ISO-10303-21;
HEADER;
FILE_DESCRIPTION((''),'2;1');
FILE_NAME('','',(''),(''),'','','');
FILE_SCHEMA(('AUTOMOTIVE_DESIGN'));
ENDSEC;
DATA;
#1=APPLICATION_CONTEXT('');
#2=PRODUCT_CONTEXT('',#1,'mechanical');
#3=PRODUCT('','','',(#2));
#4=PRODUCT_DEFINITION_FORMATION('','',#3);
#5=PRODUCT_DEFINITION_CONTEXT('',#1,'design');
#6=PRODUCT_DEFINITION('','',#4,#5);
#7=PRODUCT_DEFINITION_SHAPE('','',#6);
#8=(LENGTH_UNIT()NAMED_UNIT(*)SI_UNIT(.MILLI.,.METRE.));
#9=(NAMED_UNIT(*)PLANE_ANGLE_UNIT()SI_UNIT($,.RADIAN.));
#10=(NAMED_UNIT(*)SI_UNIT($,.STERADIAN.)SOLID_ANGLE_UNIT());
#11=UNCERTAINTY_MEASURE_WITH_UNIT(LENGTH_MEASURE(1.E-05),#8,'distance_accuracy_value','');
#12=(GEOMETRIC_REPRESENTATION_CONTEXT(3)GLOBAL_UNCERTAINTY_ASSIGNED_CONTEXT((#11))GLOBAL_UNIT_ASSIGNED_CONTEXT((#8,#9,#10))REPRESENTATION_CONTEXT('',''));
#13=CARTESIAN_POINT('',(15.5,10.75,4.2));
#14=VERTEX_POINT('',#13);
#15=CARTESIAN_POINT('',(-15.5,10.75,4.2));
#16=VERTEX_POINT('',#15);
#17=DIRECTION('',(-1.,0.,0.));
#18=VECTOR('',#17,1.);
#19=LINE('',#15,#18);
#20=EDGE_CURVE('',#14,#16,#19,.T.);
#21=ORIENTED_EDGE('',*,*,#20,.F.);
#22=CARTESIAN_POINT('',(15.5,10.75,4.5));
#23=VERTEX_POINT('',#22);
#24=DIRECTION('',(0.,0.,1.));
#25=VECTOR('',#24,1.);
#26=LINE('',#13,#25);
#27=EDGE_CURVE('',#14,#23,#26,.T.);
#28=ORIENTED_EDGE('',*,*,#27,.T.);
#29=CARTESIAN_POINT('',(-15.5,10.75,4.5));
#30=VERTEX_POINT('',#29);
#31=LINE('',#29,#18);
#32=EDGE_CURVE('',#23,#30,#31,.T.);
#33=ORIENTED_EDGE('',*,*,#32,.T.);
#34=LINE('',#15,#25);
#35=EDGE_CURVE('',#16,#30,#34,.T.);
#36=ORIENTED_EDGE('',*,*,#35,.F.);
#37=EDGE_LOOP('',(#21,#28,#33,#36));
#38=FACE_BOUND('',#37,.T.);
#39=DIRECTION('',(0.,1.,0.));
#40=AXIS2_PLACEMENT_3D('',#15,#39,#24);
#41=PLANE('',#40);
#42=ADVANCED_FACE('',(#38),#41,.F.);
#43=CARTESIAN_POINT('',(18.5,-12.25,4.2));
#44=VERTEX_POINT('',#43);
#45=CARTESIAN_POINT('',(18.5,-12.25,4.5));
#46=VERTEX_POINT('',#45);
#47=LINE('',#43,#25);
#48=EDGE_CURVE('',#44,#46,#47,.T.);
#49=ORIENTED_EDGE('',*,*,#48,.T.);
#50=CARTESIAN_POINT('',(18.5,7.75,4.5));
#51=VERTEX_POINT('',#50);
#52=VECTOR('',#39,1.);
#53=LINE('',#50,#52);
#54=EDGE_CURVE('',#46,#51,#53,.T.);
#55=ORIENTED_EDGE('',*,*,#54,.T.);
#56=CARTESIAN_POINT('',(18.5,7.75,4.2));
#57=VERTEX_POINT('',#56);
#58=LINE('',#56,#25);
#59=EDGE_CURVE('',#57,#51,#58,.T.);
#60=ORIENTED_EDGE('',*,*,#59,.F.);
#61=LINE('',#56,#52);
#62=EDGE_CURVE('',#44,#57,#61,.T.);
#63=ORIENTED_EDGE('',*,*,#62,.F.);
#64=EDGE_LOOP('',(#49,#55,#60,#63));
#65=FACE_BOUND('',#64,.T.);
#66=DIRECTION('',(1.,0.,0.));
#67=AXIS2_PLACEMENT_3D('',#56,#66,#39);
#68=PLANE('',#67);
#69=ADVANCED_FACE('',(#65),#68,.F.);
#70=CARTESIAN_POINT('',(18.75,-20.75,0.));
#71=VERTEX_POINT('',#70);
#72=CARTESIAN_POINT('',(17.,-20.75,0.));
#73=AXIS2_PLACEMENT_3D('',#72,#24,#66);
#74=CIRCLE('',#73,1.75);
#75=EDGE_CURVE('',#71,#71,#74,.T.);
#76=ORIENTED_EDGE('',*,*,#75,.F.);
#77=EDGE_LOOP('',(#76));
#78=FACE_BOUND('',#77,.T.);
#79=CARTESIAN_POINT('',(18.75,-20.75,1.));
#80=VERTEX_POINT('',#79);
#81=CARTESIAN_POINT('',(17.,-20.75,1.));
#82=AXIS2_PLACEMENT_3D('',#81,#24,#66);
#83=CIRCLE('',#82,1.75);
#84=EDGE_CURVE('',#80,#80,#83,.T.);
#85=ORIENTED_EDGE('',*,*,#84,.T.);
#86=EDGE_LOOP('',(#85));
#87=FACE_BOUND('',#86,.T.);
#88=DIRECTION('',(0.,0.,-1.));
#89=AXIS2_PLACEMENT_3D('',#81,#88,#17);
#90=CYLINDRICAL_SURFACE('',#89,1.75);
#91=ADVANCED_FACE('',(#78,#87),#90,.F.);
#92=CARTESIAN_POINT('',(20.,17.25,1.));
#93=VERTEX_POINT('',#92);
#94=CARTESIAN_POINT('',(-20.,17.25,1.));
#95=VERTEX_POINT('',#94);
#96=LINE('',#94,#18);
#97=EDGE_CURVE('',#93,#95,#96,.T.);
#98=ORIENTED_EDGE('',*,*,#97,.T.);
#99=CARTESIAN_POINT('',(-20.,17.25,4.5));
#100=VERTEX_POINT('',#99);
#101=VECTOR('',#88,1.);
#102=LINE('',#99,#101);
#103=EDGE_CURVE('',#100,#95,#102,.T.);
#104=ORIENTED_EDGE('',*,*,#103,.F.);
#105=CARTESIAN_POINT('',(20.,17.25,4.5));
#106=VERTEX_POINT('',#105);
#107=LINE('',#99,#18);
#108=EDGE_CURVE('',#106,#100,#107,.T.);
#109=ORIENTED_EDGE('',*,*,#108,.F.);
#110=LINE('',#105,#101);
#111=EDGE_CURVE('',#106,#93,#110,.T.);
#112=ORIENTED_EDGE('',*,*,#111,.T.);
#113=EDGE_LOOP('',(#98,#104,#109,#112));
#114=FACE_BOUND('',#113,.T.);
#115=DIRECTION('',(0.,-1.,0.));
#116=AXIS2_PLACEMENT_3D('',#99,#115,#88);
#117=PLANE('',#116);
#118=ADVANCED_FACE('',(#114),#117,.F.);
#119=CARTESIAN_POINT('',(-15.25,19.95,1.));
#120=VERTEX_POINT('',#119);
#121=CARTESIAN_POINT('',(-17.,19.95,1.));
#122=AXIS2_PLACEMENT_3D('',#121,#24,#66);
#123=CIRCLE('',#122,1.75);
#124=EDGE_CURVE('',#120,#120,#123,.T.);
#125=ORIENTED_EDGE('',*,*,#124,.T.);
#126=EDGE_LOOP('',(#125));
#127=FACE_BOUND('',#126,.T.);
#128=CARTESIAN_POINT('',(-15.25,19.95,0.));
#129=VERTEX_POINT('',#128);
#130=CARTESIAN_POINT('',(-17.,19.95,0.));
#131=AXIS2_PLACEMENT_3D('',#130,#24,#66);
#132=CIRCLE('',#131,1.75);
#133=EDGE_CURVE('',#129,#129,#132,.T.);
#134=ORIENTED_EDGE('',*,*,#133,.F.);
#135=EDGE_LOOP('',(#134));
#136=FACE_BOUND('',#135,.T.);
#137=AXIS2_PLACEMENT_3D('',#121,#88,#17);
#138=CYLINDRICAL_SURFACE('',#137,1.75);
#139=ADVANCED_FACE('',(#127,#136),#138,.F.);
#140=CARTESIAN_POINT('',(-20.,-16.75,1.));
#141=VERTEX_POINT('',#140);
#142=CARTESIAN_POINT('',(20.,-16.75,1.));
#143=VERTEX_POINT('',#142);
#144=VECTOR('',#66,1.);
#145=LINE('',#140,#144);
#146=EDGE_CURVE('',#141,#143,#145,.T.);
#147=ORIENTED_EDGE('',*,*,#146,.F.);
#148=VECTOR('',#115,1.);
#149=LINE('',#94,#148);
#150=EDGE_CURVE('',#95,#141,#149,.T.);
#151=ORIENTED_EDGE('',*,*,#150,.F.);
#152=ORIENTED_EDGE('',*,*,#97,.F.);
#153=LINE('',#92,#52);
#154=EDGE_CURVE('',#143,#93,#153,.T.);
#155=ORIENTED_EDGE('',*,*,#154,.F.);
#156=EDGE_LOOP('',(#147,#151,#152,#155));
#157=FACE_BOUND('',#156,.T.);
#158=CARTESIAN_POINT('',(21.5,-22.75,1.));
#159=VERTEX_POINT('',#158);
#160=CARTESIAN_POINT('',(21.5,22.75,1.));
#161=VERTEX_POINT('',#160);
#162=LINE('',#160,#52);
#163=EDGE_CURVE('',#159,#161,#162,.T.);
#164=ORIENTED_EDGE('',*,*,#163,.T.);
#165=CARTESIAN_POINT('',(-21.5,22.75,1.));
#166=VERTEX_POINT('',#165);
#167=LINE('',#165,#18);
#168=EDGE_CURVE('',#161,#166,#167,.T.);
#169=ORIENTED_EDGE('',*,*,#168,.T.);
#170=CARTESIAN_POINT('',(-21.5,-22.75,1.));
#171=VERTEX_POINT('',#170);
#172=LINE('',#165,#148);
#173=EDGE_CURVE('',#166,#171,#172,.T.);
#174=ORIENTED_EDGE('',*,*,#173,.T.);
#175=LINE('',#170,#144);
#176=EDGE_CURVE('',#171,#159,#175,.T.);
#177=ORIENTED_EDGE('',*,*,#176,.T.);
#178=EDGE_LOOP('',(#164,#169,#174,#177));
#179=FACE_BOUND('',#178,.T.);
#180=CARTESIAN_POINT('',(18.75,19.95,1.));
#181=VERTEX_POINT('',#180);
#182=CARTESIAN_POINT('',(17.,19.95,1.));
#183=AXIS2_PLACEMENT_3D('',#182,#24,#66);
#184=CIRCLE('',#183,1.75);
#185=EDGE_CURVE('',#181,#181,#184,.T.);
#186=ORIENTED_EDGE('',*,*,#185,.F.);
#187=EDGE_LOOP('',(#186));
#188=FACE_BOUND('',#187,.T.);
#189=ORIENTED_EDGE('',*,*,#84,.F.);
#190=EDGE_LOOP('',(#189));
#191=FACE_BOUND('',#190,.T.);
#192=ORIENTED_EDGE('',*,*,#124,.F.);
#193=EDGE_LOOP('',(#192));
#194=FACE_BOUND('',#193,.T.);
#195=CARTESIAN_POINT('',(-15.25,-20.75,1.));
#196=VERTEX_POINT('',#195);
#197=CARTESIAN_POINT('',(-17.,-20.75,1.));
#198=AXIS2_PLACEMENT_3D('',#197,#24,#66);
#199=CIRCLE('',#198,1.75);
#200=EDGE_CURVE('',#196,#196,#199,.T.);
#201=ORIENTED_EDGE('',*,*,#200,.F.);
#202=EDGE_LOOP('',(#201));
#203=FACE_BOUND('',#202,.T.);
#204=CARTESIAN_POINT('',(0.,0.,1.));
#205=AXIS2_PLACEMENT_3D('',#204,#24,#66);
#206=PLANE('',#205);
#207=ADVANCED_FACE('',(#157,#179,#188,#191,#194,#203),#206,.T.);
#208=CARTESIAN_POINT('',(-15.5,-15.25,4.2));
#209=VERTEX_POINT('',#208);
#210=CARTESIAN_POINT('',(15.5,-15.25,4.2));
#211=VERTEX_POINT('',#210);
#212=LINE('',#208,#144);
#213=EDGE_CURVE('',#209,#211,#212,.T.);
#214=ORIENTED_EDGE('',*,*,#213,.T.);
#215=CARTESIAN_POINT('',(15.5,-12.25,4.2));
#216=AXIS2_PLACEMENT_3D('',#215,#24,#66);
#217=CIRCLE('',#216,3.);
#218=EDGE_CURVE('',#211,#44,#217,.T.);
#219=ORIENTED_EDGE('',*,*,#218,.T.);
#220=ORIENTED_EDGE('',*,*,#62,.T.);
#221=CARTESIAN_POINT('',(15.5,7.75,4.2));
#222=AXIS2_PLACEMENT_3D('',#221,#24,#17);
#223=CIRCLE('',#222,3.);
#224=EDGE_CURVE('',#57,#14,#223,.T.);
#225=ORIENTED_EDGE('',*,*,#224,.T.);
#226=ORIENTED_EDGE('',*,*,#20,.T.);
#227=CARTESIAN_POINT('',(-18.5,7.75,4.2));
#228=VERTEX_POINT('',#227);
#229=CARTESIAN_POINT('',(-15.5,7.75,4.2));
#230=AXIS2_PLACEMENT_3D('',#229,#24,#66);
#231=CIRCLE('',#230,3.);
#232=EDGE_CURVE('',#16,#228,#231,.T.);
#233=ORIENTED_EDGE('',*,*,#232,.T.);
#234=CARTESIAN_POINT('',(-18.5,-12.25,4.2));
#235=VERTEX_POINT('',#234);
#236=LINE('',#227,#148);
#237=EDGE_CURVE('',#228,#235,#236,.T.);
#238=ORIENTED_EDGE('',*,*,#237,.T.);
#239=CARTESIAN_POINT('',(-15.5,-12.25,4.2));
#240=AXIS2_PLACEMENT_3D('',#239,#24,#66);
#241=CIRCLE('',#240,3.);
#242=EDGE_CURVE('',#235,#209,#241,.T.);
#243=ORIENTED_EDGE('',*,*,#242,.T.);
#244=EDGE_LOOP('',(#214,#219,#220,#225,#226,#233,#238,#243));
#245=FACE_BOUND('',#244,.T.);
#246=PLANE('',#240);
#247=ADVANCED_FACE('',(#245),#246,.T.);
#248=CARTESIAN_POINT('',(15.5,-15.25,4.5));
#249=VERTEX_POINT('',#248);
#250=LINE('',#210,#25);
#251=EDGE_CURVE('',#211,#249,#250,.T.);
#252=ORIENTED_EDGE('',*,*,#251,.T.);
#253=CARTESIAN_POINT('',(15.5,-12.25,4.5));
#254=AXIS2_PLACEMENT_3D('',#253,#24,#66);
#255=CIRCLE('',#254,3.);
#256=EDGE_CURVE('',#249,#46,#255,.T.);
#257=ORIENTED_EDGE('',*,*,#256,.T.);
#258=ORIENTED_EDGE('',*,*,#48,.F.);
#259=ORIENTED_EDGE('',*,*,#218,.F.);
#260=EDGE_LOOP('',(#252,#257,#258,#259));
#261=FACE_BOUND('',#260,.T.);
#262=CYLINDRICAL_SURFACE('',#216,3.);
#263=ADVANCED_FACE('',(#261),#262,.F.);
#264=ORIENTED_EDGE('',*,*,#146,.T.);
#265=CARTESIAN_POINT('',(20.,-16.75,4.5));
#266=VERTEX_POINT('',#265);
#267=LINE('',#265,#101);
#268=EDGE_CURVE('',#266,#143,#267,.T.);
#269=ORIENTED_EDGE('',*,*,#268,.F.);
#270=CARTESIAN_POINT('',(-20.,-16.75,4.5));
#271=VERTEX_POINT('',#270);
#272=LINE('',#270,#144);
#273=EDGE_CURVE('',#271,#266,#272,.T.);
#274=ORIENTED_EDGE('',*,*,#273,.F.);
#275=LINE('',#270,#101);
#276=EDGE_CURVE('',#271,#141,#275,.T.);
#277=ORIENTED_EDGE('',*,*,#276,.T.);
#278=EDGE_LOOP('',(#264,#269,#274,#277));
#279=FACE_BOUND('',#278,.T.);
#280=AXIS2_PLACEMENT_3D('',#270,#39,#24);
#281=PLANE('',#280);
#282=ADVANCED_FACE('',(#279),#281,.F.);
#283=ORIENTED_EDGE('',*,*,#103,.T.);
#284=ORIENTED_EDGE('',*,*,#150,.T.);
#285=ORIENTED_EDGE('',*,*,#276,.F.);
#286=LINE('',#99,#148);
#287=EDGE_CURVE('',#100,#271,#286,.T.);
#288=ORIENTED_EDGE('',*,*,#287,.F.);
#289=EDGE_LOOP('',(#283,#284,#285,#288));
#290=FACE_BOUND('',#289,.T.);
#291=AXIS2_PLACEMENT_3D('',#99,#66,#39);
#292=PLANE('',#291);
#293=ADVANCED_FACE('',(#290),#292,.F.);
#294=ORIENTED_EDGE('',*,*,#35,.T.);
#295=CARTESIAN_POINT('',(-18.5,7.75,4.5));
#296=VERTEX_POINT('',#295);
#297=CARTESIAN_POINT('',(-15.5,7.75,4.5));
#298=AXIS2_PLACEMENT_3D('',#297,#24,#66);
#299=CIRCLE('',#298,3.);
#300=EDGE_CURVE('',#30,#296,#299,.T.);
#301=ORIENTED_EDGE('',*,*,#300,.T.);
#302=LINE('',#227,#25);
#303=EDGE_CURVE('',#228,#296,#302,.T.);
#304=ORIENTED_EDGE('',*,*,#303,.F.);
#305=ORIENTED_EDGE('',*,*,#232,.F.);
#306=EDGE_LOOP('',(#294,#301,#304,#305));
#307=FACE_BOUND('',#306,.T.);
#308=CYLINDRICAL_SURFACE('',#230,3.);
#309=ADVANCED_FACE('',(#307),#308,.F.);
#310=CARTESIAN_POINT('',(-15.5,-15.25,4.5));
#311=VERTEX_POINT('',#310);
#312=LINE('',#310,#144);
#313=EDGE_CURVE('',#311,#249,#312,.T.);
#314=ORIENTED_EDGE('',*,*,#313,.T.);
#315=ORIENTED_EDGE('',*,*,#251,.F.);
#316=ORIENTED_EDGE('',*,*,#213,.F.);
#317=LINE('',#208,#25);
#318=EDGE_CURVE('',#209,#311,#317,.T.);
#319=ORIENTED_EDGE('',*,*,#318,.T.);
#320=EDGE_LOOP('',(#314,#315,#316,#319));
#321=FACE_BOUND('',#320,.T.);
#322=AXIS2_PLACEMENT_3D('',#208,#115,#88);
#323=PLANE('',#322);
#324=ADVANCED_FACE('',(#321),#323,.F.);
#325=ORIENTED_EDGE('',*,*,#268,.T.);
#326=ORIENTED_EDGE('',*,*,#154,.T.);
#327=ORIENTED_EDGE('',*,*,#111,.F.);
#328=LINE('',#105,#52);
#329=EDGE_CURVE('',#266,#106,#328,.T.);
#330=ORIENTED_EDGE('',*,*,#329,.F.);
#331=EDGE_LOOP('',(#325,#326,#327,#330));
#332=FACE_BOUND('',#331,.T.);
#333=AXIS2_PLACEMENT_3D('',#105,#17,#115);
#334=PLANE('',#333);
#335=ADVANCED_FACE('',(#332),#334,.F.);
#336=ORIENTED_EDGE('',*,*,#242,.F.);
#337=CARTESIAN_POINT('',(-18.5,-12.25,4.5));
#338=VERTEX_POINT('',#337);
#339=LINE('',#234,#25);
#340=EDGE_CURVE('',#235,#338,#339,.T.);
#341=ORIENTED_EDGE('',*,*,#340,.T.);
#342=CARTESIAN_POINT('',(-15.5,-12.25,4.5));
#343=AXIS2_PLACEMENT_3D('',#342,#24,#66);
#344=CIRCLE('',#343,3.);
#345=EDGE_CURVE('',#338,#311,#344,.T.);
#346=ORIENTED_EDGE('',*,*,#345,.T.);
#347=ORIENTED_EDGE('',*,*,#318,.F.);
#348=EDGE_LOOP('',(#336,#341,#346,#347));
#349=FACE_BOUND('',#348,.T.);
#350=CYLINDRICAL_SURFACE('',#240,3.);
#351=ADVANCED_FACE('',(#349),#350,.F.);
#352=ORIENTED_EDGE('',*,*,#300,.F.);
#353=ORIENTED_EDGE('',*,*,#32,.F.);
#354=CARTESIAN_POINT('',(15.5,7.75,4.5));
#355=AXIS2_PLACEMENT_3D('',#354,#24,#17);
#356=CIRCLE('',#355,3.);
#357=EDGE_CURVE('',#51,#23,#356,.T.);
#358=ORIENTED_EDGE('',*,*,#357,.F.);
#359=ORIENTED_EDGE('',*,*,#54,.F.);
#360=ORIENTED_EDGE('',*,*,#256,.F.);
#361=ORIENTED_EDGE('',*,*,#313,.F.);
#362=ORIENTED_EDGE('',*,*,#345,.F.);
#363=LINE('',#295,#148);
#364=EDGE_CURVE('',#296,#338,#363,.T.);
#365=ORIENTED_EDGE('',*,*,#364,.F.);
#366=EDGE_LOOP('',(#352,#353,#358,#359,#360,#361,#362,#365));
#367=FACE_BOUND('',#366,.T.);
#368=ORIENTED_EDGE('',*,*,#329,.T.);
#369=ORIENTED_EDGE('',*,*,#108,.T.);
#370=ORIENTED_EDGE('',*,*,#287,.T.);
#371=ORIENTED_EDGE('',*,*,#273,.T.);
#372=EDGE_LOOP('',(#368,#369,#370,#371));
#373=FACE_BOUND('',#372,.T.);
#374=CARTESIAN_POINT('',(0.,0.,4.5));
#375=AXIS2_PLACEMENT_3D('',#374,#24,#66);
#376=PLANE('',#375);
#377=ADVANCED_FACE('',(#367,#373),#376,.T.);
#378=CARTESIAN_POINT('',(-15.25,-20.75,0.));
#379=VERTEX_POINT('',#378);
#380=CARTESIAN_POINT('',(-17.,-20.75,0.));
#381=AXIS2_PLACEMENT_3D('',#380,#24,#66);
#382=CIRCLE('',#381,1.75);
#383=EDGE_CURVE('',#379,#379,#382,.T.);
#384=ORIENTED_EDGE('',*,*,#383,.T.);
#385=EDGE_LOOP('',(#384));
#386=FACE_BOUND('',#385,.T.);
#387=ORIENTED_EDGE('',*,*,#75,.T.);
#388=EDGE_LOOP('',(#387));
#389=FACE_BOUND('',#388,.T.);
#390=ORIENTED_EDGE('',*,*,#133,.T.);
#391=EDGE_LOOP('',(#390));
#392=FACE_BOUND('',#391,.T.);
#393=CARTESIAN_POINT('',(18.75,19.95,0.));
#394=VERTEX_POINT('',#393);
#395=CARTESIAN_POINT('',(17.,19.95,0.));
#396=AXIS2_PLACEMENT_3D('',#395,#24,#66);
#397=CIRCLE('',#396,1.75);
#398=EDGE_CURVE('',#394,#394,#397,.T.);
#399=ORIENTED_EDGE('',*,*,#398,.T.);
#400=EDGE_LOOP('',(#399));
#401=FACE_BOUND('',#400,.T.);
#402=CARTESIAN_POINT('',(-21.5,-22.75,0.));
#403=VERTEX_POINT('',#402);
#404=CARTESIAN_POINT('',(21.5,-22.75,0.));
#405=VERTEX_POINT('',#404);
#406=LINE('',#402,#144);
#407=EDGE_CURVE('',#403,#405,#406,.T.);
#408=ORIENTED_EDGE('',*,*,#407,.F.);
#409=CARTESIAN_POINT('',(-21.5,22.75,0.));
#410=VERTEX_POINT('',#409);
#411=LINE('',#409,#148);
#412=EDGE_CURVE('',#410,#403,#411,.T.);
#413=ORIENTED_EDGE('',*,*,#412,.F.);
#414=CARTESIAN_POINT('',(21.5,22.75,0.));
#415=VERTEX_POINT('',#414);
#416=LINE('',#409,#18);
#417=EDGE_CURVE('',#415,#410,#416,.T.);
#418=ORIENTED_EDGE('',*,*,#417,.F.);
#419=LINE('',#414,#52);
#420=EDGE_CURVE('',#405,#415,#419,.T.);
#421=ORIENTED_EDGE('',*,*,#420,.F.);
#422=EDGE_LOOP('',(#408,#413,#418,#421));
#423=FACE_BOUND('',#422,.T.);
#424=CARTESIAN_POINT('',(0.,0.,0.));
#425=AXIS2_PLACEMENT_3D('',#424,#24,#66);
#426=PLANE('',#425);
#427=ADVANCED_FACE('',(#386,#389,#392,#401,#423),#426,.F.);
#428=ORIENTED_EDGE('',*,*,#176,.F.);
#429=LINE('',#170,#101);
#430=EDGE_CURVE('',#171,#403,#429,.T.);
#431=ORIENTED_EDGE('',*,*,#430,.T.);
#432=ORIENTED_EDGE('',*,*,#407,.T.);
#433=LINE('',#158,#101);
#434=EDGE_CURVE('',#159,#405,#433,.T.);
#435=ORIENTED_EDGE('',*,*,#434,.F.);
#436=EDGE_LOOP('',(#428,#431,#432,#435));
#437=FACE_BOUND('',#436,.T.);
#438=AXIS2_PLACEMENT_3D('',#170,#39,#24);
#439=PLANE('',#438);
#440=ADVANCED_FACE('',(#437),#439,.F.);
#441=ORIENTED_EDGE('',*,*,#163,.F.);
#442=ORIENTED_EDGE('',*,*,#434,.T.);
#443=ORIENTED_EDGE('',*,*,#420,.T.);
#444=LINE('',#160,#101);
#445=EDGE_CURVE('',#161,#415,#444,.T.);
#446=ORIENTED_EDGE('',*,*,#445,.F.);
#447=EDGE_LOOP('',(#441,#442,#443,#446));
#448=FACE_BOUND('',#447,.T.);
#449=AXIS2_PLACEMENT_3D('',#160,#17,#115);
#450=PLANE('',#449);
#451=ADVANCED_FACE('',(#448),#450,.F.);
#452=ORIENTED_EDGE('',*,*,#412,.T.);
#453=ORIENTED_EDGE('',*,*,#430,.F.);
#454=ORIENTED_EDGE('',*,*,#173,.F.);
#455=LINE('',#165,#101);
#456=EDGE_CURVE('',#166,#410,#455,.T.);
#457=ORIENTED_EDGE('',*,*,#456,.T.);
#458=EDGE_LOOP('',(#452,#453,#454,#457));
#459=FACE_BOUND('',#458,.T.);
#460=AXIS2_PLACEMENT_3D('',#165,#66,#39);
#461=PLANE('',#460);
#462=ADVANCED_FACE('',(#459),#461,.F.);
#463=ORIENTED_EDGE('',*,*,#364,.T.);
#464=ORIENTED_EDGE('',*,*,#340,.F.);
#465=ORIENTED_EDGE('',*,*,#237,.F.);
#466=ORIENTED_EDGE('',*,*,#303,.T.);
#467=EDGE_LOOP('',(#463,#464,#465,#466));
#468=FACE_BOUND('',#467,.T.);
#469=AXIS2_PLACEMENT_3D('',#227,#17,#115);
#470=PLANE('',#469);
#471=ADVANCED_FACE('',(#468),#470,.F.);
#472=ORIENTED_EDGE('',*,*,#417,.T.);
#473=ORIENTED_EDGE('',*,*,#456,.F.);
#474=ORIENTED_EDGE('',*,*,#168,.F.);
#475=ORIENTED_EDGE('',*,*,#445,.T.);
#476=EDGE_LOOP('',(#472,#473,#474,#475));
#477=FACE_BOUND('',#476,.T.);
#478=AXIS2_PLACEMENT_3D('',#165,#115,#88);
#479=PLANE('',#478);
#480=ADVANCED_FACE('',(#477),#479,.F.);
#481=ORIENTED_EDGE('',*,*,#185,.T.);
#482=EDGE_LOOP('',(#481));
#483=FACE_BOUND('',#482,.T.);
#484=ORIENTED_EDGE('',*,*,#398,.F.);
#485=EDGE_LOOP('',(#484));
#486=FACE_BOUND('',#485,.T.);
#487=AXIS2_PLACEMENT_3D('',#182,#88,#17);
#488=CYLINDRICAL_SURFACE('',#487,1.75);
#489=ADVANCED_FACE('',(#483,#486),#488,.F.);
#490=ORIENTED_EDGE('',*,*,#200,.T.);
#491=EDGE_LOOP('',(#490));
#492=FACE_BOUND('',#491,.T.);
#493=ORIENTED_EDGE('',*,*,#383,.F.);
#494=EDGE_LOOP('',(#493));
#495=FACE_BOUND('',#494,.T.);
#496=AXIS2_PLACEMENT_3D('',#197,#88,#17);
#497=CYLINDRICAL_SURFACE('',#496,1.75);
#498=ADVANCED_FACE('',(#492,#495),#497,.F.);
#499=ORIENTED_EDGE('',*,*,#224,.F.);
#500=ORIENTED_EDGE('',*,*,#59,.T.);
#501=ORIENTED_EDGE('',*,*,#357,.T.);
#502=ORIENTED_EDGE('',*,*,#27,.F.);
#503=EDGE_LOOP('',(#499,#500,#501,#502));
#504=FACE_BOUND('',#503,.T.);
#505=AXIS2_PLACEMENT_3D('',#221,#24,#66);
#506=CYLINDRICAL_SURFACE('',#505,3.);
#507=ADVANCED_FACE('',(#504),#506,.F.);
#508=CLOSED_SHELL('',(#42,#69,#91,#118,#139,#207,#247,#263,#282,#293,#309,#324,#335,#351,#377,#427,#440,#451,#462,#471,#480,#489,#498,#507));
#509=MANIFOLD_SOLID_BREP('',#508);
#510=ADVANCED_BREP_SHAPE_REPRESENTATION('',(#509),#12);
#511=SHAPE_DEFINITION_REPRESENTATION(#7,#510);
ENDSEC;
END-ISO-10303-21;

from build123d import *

# Parameters (mm, degrees)
SKETCH1_W           = 43
SKETCH1_H           = 45.5
SKETCH1_R           = 1.75
BOSS_EXTRUDE1_DEPTH = 1
SKETCH2_W           = 40
SKETCH2_H           = 34
BOSS_EXTRUDE2_DEPTH = 3.5
CUT_EXTRUDE1_DEPTH  = 0.3


with BuildPart() as part:
    # Sketch1 → Boss-Extrude1 (new body)
    with BuildSketch(Plane.XY):
        Rectangle(SKETCH1_W, SKETCH1_H)
        with Locations((-17, 19.95)):
            Circle(SKETCH1_R, mode=Mode.SUBTRACT)
        with Locations((17, 19.95)):
            Circle(SKETCH1_R, mode=Mode.SUBTRACT)
        with Locations((-17, -20.75)):
            Circle(SKETCH1_R, mode=Mode.SUBTRACT)
        with Locations((17, -20.75)):
            Circle(SKETCH1_R, mode=Mode.SUBTRACT)
    extrude(amount=BOSS_EXTRUDE1_DEPTH)

    # Sketch2 → Boss-Extrude2 (add)
    with BuildSketch(Plane.XY.offset(1)):
        with Locations((0, 0.25)):
            Rectangle(SKETCH2_W, SKETCH2_H)
    extrude(amount=BOSS_EXTRUDE2_DEPTH)

    # Sketch3 → Cut-Extrude1 (cut)
    with BuildSketch(Plane.XY.offset(4.5)):
        with BuildLine():
            Line((-15.5, 10.75), (15.5, 10.75))
            ThreePointArc((15.5, 10.75), (17.621320344, 9.871320344), (18.5, 7.75))
            Line((18.5, 7.75), (18.5, -12.25))
            ThreePointArc((18.5, -12.25), (17.621320344, -14.371320344), (15.5, -15.25))
            Line((15.5, -15.25), (-15.5, -15.25))
            ThreePointArc((-15.5, -15.25), (-17.621320344, -14.371320344), (-18.5, -12.25))
            Line((-18.5, -12.25), (-18.5, 7.75))
            ThreePointArc((-18.5, 7.75), (-17.621320344, 9.871320344), (-15.5, 10.75))
        make_face()
    extrude(amount=-CUT_EXTRUDE1_DEPTH, mode=Mode.SUBTRACT)


solid = part.part
